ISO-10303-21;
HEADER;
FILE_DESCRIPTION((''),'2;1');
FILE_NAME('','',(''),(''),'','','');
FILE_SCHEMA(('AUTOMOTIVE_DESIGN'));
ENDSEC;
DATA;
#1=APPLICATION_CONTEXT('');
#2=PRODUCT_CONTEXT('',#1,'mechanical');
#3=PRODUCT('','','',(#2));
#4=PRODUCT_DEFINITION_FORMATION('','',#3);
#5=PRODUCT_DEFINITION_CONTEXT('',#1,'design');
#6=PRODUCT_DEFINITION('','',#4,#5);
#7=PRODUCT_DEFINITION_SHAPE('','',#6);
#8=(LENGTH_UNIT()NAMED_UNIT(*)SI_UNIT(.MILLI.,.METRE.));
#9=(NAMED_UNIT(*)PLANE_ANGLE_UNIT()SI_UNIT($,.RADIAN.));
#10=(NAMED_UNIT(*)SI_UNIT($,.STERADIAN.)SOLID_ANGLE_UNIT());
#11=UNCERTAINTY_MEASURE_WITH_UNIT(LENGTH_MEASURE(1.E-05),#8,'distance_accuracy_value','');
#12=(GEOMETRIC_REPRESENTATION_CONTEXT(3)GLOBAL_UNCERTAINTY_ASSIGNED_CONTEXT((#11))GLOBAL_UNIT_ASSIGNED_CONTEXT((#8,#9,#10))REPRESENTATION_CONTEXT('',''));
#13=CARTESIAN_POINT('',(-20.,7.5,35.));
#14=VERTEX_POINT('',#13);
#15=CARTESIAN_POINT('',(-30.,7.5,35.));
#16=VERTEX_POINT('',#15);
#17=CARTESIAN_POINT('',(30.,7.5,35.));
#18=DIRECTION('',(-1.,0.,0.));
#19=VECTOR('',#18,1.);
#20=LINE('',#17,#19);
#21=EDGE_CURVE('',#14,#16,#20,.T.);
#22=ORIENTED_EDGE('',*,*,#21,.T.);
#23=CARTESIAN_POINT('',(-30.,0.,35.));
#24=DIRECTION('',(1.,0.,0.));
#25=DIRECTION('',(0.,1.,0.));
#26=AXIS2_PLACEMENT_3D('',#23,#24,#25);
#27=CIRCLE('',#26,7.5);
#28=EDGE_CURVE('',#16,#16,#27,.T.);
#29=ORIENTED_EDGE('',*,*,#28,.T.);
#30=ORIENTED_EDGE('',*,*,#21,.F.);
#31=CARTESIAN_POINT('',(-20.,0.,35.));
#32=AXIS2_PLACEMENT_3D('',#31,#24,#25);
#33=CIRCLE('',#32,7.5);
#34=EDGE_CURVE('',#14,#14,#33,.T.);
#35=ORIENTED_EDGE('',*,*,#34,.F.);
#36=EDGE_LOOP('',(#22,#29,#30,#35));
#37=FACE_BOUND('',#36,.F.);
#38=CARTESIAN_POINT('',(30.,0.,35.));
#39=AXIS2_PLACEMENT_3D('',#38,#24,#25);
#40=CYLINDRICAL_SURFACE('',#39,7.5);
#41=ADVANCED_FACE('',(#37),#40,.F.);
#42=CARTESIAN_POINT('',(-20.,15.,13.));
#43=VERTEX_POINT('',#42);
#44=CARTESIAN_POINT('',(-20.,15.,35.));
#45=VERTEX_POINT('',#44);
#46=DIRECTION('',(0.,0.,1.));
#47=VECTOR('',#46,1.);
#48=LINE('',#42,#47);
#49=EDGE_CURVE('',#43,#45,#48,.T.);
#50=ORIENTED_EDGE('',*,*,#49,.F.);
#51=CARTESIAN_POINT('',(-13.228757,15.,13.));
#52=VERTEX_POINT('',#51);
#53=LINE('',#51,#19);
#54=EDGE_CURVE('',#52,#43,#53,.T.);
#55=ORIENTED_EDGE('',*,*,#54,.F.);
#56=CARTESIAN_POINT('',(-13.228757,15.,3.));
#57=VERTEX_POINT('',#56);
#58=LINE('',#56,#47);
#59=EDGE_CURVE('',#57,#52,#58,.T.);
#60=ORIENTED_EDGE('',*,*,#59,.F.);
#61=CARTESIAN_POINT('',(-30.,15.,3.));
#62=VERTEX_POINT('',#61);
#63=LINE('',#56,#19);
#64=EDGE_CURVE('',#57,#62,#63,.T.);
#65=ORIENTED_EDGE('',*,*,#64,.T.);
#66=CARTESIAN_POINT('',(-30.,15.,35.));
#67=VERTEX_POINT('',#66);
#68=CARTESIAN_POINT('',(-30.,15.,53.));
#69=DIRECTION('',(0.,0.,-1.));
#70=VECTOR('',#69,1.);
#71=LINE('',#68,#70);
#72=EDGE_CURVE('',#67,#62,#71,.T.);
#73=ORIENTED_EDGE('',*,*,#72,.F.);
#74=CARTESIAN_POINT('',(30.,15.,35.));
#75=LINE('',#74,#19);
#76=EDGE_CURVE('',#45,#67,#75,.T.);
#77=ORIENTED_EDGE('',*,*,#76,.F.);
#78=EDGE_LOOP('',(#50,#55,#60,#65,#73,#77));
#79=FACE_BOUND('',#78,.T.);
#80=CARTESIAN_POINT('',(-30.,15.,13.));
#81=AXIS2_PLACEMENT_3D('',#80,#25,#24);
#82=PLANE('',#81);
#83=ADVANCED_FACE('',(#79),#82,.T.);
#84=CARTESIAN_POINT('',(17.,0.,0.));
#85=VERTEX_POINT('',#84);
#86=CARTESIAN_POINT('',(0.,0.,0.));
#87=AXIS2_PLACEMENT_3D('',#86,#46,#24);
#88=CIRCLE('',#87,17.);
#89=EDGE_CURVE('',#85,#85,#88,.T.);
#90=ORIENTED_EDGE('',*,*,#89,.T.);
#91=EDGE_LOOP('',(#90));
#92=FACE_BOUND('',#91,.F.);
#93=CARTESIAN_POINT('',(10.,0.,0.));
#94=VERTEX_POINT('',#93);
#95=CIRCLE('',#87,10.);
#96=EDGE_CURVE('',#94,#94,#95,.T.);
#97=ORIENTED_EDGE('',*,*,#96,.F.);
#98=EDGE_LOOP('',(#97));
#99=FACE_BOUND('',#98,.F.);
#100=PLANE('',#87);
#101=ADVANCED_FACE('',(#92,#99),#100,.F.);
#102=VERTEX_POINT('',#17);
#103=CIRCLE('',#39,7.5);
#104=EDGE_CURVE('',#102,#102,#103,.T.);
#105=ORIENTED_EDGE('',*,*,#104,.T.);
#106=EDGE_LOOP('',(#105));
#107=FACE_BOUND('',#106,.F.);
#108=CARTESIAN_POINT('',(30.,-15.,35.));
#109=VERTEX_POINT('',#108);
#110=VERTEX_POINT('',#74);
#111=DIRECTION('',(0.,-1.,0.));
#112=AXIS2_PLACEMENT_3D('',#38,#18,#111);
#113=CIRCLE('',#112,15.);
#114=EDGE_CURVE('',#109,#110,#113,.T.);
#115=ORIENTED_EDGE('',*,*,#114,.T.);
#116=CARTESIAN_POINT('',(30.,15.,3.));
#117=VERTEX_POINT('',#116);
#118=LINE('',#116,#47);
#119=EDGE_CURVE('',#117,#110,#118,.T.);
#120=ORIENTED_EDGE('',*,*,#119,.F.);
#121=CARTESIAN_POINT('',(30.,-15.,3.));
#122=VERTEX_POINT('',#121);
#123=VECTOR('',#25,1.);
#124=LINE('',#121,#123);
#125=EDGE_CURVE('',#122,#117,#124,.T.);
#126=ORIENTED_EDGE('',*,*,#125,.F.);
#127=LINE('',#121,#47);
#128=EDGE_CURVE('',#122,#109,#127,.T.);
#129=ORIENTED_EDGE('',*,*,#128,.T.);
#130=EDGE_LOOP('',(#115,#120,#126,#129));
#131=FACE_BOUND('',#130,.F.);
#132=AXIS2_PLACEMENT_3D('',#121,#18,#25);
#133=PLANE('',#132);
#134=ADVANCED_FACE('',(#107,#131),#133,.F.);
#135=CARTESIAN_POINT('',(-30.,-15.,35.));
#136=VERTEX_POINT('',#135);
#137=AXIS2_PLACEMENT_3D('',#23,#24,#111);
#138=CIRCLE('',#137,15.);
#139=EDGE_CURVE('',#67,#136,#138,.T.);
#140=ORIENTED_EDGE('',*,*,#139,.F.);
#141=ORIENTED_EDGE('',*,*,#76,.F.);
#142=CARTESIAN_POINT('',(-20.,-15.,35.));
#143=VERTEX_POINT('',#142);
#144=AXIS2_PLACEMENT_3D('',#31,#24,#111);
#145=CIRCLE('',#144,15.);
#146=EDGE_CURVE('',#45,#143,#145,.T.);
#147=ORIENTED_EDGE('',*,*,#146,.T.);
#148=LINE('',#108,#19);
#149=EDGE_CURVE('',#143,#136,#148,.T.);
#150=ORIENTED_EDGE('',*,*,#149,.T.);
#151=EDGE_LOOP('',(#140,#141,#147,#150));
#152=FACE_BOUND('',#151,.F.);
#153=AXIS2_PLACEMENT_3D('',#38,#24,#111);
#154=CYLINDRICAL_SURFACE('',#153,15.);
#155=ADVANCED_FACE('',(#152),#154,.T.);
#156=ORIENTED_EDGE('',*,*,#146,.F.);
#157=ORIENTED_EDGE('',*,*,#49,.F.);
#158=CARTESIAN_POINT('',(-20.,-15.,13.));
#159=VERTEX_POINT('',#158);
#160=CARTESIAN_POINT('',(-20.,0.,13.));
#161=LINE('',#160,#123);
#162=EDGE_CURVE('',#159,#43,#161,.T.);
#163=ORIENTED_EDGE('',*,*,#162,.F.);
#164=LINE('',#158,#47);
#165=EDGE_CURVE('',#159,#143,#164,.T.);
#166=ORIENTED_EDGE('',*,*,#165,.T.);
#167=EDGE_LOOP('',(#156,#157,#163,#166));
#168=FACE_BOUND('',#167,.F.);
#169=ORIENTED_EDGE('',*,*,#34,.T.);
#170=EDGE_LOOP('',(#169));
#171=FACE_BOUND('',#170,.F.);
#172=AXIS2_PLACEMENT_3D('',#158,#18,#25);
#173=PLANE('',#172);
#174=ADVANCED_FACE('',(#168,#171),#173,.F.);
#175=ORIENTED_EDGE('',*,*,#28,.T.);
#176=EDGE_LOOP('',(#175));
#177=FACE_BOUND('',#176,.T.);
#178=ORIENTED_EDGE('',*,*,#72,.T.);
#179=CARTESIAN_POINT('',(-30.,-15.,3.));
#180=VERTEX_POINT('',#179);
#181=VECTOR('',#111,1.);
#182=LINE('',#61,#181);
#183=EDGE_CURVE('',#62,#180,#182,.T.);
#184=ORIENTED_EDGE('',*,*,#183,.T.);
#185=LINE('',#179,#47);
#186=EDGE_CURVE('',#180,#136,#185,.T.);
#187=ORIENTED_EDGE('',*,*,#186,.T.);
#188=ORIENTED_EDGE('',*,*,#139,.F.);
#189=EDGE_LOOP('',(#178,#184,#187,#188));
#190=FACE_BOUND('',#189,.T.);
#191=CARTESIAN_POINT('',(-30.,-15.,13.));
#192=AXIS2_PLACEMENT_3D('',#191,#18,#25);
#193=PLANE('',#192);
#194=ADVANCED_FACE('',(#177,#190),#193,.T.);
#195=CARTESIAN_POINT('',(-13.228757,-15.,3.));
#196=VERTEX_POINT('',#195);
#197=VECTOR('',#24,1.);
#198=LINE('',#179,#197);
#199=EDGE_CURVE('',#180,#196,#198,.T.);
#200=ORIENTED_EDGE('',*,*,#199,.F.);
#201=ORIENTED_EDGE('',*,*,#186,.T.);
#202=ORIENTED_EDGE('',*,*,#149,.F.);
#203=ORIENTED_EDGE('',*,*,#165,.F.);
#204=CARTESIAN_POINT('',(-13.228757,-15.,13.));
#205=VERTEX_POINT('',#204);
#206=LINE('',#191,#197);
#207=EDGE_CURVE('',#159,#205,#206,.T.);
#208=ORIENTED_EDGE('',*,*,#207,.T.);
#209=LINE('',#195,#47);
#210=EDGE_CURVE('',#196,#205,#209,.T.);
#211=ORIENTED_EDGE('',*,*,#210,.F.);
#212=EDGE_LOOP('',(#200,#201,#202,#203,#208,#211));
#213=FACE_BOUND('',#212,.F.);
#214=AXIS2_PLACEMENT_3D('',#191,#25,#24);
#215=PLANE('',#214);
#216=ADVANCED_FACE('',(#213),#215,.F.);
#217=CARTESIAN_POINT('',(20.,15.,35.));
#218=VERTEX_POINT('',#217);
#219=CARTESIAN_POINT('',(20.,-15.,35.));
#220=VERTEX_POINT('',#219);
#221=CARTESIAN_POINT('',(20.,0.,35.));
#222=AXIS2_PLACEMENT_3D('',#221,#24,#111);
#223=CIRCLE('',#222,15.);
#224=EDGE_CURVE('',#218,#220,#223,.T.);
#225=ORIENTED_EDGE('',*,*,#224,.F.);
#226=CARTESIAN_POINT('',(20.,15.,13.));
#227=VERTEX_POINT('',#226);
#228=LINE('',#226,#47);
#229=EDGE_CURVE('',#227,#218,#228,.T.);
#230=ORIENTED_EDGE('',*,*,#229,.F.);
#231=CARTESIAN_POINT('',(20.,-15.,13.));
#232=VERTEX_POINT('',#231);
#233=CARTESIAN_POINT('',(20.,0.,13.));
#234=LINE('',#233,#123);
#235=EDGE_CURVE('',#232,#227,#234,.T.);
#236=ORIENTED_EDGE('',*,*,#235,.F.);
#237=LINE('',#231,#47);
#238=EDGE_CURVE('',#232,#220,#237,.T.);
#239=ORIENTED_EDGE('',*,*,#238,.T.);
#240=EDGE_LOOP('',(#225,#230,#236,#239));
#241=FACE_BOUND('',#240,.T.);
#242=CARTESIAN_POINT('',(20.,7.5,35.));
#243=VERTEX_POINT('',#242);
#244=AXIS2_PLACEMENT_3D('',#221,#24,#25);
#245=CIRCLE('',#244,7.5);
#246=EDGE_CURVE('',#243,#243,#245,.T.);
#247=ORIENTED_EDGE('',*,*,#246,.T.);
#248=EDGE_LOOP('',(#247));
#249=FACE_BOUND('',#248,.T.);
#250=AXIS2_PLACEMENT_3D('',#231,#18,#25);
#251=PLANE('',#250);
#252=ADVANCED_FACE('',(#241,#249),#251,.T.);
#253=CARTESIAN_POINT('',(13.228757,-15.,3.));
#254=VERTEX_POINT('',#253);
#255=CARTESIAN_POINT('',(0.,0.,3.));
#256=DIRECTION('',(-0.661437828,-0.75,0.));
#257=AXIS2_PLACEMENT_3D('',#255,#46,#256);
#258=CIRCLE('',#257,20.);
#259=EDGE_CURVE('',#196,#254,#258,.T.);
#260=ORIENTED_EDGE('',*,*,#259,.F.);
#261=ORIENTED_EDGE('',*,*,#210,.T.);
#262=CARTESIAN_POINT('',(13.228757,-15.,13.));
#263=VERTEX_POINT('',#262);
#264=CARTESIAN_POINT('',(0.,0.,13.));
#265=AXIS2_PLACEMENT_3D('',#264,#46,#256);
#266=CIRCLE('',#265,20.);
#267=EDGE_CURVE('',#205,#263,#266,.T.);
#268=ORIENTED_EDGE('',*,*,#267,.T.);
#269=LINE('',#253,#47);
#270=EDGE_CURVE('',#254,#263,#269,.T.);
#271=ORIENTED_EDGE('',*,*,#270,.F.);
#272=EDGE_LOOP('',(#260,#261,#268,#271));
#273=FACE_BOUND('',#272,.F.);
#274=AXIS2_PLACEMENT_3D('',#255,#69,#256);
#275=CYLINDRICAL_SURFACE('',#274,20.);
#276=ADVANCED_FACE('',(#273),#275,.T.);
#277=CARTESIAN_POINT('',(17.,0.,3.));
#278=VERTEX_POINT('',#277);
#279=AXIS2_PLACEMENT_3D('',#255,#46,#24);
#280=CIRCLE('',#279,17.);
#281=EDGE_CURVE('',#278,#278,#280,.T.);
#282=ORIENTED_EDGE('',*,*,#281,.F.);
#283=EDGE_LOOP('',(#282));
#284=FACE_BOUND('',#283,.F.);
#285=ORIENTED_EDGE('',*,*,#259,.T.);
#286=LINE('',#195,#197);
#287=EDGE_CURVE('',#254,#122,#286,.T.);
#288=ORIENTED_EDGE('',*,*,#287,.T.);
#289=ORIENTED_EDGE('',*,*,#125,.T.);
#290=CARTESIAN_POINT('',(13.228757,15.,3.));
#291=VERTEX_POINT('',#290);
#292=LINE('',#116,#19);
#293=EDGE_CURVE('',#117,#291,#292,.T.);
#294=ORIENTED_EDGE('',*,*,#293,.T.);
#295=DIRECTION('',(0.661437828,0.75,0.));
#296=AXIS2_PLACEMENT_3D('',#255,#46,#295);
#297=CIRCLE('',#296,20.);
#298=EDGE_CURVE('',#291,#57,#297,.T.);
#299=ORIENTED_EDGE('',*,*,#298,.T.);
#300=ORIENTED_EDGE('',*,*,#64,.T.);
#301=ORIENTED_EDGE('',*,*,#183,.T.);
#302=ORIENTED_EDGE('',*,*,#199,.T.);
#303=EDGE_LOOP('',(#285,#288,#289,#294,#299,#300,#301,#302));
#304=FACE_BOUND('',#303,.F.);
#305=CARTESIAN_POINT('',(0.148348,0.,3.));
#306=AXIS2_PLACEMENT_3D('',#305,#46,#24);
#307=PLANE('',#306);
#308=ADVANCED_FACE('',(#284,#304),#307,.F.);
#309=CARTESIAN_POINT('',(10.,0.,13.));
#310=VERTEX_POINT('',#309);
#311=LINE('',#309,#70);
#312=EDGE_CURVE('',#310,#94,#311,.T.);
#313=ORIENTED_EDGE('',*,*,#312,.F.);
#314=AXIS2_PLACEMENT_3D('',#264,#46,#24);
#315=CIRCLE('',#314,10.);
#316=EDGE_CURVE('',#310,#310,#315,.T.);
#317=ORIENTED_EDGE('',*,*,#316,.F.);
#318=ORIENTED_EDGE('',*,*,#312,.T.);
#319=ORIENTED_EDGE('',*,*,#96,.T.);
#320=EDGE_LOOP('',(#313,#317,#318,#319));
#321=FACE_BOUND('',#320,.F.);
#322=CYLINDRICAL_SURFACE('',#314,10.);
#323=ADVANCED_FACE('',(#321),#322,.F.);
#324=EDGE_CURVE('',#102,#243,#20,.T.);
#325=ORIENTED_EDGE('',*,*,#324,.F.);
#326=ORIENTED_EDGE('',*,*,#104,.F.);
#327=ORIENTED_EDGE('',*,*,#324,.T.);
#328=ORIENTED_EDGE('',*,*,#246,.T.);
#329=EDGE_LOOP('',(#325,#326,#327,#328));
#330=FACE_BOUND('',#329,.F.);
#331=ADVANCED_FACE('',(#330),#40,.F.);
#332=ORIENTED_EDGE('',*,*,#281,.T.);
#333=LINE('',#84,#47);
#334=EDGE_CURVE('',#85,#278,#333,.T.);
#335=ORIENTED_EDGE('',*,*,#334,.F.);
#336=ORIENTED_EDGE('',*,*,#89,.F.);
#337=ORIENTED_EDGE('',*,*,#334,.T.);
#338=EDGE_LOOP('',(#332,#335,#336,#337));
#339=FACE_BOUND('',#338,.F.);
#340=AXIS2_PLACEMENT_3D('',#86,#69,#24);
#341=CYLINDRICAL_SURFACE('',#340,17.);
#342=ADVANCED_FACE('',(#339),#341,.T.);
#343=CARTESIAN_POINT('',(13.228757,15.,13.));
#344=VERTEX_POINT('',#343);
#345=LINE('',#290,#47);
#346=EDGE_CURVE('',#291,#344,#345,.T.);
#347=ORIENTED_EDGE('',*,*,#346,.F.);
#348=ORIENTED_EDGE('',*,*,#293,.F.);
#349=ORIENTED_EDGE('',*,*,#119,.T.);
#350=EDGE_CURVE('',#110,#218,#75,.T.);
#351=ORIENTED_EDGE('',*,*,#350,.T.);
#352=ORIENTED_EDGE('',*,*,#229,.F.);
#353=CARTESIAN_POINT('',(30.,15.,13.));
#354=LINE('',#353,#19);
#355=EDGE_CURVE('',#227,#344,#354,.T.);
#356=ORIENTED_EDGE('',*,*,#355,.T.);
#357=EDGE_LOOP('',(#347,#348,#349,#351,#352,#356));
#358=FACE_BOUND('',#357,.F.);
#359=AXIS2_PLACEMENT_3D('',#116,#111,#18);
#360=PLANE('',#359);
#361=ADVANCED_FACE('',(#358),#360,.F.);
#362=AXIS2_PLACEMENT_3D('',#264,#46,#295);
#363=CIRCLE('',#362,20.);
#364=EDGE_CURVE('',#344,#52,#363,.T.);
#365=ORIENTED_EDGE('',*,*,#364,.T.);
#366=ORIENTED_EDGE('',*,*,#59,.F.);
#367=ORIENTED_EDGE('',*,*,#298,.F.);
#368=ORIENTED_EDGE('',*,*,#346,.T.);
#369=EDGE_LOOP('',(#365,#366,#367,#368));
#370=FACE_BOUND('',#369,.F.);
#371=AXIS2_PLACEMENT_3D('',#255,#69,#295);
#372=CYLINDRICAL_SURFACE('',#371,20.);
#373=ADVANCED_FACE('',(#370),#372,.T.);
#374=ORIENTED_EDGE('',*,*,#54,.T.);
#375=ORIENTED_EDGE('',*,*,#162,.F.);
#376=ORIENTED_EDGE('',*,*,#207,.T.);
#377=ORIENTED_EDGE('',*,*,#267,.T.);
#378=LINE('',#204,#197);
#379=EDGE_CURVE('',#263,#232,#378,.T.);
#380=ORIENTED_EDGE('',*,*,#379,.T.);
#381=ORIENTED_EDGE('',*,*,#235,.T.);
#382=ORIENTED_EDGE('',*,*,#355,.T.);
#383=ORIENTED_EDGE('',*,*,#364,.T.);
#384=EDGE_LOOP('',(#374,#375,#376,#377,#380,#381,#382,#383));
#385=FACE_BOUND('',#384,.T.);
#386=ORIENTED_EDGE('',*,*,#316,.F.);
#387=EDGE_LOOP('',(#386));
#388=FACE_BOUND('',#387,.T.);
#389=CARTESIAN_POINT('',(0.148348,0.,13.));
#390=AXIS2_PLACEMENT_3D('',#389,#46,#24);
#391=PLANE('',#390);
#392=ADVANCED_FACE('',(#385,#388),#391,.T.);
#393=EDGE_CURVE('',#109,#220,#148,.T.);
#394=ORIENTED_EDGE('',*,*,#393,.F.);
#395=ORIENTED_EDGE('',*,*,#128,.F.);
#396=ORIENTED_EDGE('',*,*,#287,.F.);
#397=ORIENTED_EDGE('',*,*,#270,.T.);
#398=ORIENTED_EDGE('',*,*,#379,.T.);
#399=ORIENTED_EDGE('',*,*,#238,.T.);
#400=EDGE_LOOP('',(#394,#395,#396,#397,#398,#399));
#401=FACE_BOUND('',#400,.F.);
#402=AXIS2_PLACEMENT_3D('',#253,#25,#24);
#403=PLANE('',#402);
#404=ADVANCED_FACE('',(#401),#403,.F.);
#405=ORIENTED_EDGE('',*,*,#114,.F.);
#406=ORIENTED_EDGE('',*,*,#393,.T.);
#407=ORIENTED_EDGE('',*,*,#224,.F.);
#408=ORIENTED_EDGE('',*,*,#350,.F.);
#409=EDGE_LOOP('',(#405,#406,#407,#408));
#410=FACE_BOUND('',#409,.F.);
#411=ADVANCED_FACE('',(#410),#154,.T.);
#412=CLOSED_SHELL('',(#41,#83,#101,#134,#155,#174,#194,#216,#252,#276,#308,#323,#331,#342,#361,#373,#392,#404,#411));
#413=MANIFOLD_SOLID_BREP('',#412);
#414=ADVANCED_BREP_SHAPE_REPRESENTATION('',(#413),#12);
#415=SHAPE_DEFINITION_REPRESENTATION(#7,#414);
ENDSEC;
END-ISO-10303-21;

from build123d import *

# Parameters (mm, degrees)
F0_R      = 17
F1_DEPTH  = 3
F3_DEPTH  = 10
F4_R      = 10
F5_DEPTH  = 13.001
F6_W      = 10
F6_H      = 30
F7_DEPTH  = 40
F8_R      = 7.5
F9_DEPTH  = 60.001
F11_DEPTH = 60.001


with BuildPart() as f1:
    # F0 (on Top) → F1 (new body)
    with BuildSketch(Plane.XY):
        Circle(F0_R)
    extrude(amount=F1_DEPTH)

    # F2 (on face) → F3 (join)
    with BuildSketch(Plane.XY.offset(3)):
        with BuildLine():
            ThreePointArc((13.2287565553, -15), (18.2287565553, -8.2287565553), (20, 0))
            ThreePointArc((20, 0), (18.2287565553, 8.2287565553), (13.2287565553, 15))
            Line((13.2287565553, 15), (-13.2287565553, 15))
            ThreePointArc((-13.2287565553, 15), (-20, 0), (-13.2287565553, -15))
            Line((-13.2287565553, -15), (13.2287565553, -15))
        make_face()
        with BuildLine():
            ThreePointArc((13.2287565553, 15), (18.2287565553, 8.2287565553), (20, 0))
            ThreePointArc((20, 0), (18.2287565553, -8.2287565553), (13.2287565553, -15))
            Line((13.2287565553, -15), (30, -15))
            Line((30, -15), (30, 15))
            Line((30, 15), (13.2287565553, 15))
        make_face()
        with BuildLine():
            Line((-13.2287565553, 15), (13.2287565553, 15))
            ThreePointArc((13.2287565553, 15), (0, 20), (-13.2287565553, 15))
        make_face()
        with BuildLine():
            ThreePointArc((-13.2287565553, -15), (0, -20), (13.2287565553, -15))
            Line((13.2287565553, -15), (-13.2287565553, -15))
        make_face()
        with BuildLine():
            ThreePointArc((-13.2287565553, -15), (-20, 0), (-13.2287565553, 15))
            Line((-13.2287565553, 15), (-30, 15))
            Line((-30, 15), (-30, -15))
            Line((-30, -15), (-13.2287565553, -15))
        make_face()
    extrude(amount=F3_DEPTH)

    # F4 (on face) → F5 (cut, through all)
    with BuildSketch(Plane.XY.offset(13)):
        Circle(F4_R)
    extrude(amount=-F5_DEPTH, mode=Mode.SUBTRACT)

    # F6 (on face) → F7 (join)
    with BuildSketch(Plane.XY.offset(13)):
        with Locations((-25, 0)):
            Rectangle(F6_W, F6_H)
        with Locations((25, 0)):
            Rectangle(F6_W, F6_H)
    extrude(amount=F7_DEPTH)

    # F8 (on face) → F9 (cut, through all)
    with BuildSketch(Plane.YZ.offset(30)):
        with Locations((0, 35)):
            Circle(F8_R)
    extrude(amount=-F9_DEPTH, mode=Mode.SUBTRACT)

    # F10 (on face) → F11 (cut, through all)
    with BuildSketch(Plane.YZ.offset(30)):
        with BuildLine():
            ThreePointArc((-15, 35), (0, 50), (15, 35))
            Line((15, 35), (15, 53))
            Line((15, 53), (-15, 53))
            Line((-15, 53), (-15, 35))
        make_face()
    extrude(amount=-F11_DEPTH, mode=Mode.SUBTRACT)


solid = f1.part
